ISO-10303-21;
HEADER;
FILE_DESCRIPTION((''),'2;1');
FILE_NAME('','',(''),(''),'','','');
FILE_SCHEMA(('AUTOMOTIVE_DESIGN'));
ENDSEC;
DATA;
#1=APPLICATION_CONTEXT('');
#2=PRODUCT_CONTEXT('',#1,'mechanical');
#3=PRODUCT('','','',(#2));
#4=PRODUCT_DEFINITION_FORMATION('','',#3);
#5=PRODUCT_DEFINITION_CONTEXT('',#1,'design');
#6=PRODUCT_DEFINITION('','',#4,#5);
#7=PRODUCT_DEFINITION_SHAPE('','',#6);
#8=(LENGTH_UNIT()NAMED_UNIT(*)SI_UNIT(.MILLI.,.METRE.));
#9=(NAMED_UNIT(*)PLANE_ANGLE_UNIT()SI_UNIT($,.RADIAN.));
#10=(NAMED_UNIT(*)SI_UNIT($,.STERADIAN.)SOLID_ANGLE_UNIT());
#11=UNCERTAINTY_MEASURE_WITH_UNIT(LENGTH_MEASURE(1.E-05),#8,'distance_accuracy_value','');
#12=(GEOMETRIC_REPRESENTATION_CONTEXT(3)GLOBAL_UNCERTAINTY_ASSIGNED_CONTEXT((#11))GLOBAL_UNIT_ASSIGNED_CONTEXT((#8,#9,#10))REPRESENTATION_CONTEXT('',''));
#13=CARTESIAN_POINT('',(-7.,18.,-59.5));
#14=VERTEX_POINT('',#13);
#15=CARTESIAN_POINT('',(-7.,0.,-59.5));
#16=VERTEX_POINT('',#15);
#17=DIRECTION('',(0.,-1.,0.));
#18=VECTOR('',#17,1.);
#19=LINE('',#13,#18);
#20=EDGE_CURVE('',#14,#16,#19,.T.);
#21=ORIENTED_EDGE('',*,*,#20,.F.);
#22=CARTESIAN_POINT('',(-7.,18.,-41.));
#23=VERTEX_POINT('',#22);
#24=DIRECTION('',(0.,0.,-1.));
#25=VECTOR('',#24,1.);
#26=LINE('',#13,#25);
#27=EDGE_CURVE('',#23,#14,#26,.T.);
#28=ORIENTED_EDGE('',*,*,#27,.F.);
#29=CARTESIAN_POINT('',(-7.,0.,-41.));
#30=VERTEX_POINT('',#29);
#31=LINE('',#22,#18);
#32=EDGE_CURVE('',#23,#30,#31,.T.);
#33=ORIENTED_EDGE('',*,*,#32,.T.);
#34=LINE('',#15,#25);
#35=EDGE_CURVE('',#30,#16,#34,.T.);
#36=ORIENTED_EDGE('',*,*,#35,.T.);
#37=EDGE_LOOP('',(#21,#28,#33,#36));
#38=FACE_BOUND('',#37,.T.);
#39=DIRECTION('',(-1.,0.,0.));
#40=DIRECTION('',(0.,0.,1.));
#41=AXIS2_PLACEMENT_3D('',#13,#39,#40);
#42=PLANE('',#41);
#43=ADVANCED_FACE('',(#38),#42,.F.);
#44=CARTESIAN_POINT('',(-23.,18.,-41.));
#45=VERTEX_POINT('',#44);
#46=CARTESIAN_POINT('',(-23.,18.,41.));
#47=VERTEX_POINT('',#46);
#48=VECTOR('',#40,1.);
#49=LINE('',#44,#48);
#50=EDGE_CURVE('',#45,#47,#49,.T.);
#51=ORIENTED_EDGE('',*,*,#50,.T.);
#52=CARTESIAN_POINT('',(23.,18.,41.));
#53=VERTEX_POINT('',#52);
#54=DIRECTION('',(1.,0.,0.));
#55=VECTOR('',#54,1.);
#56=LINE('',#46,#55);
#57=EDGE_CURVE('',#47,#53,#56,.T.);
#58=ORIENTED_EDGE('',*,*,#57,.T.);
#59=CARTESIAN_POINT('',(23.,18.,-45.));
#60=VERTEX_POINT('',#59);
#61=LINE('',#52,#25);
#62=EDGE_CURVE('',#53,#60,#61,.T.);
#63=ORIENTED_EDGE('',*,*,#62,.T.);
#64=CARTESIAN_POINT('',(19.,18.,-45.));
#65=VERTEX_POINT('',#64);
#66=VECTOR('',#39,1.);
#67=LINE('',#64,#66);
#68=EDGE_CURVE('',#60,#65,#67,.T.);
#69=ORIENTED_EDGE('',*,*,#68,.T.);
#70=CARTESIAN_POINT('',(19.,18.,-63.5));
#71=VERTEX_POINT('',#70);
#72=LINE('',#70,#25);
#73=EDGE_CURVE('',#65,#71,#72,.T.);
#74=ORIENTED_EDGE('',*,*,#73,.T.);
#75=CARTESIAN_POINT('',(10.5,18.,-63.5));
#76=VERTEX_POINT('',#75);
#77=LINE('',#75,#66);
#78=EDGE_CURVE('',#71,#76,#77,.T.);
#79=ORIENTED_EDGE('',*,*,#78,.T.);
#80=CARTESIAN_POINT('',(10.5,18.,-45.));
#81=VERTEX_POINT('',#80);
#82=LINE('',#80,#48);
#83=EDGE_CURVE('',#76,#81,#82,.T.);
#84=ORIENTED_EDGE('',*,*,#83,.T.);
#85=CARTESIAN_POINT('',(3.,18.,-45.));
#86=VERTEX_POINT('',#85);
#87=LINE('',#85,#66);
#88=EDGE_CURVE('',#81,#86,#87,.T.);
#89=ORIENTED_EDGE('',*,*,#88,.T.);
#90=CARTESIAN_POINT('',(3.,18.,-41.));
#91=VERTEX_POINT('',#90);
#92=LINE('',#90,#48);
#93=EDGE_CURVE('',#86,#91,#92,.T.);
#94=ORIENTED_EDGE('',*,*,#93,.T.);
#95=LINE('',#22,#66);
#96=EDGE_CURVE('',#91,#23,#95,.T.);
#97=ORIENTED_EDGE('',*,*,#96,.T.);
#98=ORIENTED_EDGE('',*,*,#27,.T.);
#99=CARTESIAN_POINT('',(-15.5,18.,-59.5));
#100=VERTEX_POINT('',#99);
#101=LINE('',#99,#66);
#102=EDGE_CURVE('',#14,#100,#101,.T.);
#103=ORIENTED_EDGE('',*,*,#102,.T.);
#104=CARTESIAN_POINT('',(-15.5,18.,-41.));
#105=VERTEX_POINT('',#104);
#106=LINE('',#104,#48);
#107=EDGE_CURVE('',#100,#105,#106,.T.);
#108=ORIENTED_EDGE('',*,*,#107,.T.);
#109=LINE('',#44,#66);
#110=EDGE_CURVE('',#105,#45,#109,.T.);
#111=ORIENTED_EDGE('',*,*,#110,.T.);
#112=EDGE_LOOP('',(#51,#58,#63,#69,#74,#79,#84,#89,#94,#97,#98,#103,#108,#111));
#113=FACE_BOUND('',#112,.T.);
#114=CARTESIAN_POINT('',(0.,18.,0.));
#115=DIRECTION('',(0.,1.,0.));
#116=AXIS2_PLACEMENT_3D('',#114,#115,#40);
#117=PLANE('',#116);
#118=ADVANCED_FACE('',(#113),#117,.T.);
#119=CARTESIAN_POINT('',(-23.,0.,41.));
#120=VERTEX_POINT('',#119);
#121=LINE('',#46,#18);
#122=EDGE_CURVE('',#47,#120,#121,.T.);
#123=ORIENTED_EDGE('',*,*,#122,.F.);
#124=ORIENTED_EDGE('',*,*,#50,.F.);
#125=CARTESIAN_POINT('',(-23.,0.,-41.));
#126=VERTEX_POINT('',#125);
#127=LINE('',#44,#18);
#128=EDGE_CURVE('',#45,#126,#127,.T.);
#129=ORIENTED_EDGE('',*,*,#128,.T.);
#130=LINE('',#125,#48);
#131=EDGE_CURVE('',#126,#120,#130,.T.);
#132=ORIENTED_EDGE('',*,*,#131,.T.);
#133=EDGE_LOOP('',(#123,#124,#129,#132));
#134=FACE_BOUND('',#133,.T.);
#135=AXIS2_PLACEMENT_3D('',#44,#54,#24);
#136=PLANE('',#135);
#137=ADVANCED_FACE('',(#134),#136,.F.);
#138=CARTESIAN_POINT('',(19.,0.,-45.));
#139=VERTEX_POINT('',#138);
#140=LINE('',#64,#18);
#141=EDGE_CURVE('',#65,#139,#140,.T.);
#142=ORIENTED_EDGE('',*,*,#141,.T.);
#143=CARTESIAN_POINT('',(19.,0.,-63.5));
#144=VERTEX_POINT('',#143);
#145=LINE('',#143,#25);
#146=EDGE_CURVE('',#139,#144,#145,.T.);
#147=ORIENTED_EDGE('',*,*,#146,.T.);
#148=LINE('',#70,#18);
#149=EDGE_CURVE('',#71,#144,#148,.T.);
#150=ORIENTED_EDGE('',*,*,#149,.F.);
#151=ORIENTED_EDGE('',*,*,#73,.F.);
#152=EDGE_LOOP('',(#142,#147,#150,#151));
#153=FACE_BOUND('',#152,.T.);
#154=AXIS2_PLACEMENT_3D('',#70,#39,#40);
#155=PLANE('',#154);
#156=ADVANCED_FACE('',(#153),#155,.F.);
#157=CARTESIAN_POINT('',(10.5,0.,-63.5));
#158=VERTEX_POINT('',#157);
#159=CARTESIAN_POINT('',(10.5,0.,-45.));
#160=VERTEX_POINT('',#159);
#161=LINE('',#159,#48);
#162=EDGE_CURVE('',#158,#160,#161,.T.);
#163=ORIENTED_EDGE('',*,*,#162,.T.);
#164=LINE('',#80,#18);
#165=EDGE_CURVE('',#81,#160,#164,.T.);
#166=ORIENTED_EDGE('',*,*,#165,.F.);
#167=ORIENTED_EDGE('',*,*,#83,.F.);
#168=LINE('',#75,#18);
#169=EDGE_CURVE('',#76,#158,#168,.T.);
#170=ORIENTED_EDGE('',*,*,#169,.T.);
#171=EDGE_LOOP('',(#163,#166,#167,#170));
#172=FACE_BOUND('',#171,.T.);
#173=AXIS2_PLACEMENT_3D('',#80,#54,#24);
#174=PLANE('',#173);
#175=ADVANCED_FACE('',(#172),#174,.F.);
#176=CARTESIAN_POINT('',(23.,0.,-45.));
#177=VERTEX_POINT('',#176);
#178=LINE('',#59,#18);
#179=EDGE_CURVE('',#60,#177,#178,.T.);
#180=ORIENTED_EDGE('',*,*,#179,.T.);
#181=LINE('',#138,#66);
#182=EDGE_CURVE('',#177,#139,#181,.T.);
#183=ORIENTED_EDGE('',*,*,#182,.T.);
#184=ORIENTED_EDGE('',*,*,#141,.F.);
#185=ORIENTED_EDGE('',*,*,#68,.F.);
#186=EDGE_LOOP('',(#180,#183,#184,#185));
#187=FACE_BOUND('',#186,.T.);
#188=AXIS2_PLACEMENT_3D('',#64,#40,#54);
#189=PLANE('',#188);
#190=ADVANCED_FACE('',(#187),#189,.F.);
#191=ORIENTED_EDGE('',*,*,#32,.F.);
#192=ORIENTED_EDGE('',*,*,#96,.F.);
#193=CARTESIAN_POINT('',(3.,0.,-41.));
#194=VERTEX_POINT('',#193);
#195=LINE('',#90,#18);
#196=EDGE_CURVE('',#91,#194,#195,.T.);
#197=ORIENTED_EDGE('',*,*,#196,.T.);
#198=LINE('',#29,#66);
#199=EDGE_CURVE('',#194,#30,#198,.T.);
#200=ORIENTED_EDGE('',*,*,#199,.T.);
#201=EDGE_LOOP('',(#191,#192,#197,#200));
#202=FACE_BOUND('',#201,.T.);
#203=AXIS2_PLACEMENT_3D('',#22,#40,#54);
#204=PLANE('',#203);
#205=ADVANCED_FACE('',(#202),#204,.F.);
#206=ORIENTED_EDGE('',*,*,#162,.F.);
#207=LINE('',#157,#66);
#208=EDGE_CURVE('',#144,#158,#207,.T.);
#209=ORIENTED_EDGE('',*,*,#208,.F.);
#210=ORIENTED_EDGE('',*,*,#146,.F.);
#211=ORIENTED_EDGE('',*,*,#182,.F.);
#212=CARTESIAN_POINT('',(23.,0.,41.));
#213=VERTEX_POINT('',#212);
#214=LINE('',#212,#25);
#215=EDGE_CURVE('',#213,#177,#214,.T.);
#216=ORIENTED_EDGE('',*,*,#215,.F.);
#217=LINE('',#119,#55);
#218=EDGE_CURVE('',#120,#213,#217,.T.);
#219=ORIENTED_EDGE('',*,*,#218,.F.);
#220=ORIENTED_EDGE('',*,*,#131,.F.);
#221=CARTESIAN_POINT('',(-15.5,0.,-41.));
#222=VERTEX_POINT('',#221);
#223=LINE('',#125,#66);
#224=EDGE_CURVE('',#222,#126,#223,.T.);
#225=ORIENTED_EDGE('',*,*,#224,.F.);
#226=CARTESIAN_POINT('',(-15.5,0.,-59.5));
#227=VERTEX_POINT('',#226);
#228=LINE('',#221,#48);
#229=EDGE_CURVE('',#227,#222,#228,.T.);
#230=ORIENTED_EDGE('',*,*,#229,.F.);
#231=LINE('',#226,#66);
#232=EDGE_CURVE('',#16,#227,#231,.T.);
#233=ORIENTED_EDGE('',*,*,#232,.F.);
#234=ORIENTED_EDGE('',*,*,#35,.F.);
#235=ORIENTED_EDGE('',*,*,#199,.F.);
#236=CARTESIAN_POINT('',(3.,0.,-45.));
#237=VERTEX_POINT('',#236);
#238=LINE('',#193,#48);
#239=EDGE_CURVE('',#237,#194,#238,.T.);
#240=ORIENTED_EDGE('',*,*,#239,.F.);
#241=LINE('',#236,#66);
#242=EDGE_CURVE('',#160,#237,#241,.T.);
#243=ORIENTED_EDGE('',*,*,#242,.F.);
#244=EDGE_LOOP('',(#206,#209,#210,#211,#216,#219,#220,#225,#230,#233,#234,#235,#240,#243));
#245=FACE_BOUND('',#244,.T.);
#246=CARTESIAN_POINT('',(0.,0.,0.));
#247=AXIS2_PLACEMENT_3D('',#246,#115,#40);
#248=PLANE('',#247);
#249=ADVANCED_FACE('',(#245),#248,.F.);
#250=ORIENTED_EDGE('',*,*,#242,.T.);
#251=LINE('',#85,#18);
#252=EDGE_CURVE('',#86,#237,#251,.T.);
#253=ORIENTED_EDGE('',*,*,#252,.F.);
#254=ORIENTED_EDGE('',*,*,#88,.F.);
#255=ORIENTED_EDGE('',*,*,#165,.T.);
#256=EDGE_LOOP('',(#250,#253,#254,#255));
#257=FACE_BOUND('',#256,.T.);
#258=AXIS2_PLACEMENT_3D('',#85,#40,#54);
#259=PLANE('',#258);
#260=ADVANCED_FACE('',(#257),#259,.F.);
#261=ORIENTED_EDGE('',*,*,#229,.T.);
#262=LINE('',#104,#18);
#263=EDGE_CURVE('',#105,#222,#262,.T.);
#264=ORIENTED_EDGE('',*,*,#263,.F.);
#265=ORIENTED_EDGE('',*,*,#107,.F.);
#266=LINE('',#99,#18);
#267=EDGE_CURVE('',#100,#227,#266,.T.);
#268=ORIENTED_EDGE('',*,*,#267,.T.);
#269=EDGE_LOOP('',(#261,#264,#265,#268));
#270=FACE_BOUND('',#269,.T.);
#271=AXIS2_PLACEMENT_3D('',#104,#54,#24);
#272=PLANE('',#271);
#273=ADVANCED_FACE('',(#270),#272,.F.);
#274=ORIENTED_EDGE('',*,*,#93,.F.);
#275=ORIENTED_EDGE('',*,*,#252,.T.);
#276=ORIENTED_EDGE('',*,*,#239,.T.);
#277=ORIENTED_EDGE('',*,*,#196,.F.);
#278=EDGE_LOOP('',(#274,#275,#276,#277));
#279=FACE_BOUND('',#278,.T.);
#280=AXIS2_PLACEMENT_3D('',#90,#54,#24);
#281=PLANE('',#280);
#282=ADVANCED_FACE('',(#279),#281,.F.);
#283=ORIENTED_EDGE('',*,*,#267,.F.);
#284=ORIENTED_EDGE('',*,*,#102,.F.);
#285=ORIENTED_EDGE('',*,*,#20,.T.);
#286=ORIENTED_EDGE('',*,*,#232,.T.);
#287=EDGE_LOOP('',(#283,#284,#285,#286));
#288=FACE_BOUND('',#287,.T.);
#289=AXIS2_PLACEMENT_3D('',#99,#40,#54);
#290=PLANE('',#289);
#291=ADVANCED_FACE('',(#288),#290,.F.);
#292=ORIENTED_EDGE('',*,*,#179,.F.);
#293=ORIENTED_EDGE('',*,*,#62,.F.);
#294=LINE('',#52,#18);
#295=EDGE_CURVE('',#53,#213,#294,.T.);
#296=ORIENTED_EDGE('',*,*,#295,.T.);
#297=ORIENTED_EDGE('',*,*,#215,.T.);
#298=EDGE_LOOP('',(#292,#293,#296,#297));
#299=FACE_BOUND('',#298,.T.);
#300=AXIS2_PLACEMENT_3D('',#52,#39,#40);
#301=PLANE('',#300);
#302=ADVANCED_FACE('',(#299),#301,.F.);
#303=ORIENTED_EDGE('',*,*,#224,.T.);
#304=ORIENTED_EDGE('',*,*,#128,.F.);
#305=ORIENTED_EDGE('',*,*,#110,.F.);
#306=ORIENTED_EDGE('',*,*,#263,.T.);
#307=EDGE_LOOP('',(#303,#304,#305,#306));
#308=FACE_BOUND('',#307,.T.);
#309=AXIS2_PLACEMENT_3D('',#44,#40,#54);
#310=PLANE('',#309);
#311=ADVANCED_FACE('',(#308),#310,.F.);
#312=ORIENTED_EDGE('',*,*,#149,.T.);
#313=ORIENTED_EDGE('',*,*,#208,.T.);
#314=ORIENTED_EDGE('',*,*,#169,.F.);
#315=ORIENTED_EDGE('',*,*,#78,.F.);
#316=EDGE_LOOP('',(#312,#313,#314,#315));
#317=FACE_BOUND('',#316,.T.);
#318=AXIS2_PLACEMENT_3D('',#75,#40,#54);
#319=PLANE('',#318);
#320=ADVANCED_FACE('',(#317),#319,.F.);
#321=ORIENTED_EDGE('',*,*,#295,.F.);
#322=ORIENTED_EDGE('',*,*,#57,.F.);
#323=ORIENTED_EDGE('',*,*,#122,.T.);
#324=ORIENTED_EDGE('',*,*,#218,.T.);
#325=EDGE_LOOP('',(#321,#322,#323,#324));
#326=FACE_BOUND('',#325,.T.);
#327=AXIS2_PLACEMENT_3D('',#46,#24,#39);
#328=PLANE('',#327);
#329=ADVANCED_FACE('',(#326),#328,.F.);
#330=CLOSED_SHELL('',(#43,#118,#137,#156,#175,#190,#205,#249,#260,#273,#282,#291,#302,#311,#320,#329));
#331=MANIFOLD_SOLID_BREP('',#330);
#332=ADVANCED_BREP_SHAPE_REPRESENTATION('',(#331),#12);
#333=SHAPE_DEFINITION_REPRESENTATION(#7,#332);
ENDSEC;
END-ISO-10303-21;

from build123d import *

# Parameters (mm, degrees)
BOSS_EXTRUDE1_DEPTH = 18


with BuildPart() as part:
    # Sketch1 → Boss-Extrude1 (new body)
    with BuildSketch(Plane(origin=(0, 0, 0), x_dir=(1, 0, 0), z_dir=(0, 1, 0))):
        Polygon((-23, 41), (-23, -41), (23, -41), (23, 45), (19, 45), (19, 63.5), (10.5, 63.5), (10.5, 45), (3, 45), (3, 41), (-7, 41), (-7, 59.5), (-15.5, 59.5), (-15.5, 41), align=None)
    extrude(amount=BOSS_EXTRUDE1_DEPTH)


solid = part.part
